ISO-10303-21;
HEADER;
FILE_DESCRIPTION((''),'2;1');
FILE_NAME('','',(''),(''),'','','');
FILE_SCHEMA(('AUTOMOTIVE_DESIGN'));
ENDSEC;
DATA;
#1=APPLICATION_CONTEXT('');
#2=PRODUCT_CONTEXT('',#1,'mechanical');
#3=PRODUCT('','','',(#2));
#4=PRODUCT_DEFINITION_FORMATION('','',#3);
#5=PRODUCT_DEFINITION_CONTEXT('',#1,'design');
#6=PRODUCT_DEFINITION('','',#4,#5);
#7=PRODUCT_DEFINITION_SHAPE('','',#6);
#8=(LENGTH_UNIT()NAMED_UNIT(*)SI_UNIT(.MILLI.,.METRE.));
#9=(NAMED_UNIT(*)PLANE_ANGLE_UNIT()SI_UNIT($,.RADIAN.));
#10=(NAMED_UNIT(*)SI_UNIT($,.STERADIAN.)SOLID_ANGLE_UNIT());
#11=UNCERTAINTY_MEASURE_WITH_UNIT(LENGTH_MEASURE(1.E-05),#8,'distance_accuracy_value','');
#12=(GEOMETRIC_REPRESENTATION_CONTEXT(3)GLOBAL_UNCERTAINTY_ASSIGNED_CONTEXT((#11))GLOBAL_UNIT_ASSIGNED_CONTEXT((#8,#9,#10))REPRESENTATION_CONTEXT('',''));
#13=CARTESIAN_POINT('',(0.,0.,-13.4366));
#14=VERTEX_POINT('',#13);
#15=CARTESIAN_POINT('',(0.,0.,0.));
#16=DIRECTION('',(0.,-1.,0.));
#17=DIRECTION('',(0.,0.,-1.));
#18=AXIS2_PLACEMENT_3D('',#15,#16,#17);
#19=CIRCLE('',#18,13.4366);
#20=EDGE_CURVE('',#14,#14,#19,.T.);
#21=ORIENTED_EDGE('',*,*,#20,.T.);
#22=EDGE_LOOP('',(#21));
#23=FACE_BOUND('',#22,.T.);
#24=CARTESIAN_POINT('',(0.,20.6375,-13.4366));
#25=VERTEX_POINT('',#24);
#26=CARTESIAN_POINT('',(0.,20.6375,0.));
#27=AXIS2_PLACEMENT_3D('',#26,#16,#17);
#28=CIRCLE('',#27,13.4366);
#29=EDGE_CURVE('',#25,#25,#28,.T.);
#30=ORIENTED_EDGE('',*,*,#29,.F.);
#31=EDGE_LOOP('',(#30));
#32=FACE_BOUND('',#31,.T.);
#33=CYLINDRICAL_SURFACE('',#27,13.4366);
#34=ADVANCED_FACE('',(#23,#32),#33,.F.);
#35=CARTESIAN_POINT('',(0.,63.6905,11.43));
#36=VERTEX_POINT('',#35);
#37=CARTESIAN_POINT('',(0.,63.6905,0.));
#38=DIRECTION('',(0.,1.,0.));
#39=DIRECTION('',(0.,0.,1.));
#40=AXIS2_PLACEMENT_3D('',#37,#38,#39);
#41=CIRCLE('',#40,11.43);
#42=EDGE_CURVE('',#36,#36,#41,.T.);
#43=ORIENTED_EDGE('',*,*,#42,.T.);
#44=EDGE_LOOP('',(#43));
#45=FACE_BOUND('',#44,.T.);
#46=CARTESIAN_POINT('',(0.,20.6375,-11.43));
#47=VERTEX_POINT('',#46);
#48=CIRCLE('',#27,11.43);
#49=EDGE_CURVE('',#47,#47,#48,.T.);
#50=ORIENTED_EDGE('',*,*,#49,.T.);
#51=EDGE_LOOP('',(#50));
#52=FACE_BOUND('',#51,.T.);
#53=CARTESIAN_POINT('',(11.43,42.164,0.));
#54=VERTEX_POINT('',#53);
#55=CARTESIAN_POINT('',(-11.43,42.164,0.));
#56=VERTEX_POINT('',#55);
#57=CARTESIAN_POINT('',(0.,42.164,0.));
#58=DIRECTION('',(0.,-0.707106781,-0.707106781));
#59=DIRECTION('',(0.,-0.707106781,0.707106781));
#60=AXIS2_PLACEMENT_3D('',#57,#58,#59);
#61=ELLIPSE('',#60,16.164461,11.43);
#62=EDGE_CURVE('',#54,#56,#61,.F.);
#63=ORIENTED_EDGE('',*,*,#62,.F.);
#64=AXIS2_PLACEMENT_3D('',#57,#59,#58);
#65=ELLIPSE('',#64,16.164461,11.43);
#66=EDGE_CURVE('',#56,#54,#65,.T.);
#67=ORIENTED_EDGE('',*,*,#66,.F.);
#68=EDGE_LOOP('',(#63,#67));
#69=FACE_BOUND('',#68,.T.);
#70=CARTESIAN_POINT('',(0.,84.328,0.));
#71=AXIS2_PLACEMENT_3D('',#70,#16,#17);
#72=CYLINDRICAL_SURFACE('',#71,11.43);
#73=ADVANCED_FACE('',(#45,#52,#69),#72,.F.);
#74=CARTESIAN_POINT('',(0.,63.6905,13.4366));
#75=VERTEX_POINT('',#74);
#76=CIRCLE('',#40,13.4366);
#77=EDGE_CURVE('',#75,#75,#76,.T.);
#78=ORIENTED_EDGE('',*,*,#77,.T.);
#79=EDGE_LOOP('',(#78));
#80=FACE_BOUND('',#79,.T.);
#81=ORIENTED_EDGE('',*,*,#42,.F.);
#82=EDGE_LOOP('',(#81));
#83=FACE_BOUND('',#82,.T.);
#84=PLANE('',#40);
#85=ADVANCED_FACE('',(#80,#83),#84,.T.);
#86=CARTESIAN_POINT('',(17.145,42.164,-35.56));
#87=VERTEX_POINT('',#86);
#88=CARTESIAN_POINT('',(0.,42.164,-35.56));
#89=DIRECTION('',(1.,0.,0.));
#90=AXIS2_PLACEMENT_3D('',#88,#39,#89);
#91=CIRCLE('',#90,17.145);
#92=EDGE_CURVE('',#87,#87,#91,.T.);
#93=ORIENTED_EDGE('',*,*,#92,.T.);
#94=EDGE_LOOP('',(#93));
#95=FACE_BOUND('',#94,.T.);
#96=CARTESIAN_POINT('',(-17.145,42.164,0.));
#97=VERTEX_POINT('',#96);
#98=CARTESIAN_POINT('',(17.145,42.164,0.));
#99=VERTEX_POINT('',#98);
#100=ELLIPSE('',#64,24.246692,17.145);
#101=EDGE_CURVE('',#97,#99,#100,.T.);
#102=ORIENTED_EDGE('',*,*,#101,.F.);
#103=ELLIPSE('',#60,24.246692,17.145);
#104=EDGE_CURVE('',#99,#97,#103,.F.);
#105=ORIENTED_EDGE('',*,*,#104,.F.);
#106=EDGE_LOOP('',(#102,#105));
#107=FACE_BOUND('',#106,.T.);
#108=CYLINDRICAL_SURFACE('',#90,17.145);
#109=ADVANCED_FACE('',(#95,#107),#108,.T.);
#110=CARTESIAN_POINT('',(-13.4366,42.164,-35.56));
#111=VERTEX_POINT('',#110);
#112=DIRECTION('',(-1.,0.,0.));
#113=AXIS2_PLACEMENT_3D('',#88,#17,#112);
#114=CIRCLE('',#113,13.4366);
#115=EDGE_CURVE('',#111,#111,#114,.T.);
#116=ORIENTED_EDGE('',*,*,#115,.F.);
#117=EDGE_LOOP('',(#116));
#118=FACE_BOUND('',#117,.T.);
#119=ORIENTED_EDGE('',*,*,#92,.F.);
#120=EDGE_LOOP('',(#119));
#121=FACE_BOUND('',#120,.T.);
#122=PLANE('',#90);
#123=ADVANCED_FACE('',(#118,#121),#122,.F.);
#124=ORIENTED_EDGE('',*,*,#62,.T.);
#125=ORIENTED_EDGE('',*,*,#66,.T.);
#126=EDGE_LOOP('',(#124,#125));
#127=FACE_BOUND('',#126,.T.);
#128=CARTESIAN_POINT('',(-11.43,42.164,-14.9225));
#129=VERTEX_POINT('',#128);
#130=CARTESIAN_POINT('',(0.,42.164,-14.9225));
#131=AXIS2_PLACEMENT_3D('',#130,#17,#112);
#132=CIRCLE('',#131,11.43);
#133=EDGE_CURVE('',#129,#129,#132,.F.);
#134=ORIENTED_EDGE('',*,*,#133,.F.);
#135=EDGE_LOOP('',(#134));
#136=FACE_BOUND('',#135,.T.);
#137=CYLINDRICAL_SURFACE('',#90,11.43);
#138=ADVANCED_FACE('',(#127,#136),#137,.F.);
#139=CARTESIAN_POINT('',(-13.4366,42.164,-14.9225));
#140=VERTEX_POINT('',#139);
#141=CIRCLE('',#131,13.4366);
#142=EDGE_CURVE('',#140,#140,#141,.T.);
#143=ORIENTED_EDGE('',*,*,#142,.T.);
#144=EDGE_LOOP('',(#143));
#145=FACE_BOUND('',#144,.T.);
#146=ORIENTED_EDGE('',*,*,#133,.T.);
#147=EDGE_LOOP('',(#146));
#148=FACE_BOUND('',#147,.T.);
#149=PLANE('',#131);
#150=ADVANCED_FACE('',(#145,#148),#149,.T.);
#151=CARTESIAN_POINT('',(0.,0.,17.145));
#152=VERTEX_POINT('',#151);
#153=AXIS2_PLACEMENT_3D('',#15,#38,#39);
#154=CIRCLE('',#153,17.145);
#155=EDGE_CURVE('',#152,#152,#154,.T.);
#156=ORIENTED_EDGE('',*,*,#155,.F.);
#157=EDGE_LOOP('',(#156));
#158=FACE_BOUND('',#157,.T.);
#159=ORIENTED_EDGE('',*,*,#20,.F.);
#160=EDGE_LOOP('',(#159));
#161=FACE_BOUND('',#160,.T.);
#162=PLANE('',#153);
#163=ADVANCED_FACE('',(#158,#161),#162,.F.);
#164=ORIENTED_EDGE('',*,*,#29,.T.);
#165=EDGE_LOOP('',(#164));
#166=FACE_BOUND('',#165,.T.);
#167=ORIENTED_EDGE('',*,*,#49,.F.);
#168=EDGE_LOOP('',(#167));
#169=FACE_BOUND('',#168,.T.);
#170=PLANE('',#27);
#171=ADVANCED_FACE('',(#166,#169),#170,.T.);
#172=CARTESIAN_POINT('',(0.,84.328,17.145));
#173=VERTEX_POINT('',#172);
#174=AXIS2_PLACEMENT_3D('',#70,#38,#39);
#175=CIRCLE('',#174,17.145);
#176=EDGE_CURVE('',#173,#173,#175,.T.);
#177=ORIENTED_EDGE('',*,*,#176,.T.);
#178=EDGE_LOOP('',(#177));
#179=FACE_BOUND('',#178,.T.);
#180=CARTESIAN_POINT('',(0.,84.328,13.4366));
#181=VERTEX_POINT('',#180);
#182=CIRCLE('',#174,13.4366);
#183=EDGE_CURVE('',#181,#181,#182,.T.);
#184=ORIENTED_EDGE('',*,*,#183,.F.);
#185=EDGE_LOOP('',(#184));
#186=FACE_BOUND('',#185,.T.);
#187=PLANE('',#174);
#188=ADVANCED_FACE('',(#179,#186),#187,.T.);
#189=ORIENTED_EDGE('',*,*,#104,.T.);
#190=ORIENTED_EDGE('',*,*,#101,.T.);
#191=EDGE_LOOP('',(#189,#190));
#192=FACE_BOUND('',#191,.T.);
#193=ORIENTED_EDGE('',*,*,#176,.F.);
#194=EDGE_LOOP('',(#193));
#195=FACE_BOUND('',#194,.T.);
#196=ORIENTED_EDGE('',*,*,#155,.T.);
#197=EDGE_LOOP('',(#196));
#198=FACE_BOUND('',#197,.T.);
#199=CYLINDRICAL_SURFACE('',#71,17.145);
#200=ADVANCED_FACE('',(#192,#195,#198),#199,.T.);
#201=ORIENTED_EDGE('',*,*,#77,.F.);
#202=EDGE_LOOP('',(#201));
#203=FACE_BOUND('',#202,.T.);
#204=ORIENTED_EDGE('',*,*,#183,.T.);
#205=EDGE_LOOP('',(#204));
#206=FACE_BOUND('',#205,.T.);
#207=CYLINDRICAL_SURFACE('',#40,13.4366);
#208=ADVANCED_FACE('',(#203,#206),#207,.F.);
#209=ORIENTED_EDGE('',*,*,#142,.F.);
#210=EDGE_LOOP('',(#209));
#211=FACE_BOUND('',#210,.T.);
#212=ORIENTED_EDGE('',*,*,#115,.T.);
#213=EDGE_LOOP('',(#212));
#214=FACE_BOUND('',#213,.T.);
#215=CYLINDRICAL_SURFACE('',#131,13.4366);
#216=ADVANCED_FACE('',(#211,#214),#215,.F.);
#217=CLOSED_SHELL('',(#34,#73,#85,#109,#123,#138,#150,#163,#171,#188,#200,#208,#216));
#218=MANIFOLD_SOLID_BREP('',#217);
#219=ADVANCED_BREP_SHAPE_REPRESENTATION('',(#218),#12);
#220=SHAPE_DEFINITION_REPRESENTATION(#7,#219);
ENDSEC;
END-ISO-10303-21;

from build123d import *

# Parameters (mm, degrees)
SKETCH1_R           = 17.145
SKETCH1_R_2         = 11.43
BOSS_EXTRUDE1_DEPTH = 84.328
SKETCH2_R           = 17.145
SKETCH2_R_2         = 11.43
BOSS_EXTRUDE2_DEPTH = 35.56
SKETCH3_R           = 11.43
CUT_EXTRUDE1_DEPTH  = 94.111096186
CUT_EXTRUDE2_START  = -35.56
SKETCH4_R           = 11.43
CUT_EXTRUDE2_DEPTH  = 35.56
SKETCH5_R           = 13.4366
CUT_EXTRUDE3_DEPTH  = 20.6375
CUT_EXTRUDE4_START  = -20.6375
SKETCH6_R           = 13.4366
CUT_EXTRUDE4_DEPTH  = 20.6375
SKETCH7_R           = 13.4366
CUT_EXTRUDE5_DEPTH  = 20.6375


with BuildPart() as part:
    # Sketch1 → Boss-Extrude1 (new body)
    with BuildSketch(Plane(origin=(0, 0, 0), x_dir=(1, 0, 0), z_dir=(0, 1, 0))):
        with Locations(Location((0, 0, 0), (0, 0, 270))):
            Circle(SKETCH1_R)
        with Locations(Location((0, 0, 0), (0, 0, 270))):
            Circle(SKETCH1_R_2, mode=Mode.SUBTRACT)
    extrude(amount=BOSS_EXTRUDE1_DEPTH)

    # Sketch2 → Boss-Extrude2 (add)
    with BuildSketch(Plane.XY):
        with Locations((0, 42.164)):
            Circle(SKETCH2_R)
        with Locations((0, 42.164)):
            Circle(SKETCH2_R_2, mode=Mode.SUBTRACT)
    extrude(amount=-BOSS_EXTRUDE2_DEPTH)

    # Sketch3 → Cut-Extrude1 (cut, through all)
    with BuildSketch(Plane(origin=(0, 84.328, 0), x_dir=(1, 0, 0), z_dir=(0, 1, 0))):
        with Locations(Location((0, 0, 0), (0, 0, 270))):
            Circle(SKETCH3_R)
    extrude(amount=-CUT_EXTRUDE1_DEPTH, mode=Mode.SUBTRACT)

    # Sketch4 → Cut-Extrude2 (cut)
    with BuildSketch(Plane(origin=(0, 0, -35.56), x_dir=(-1, 0, 0), z_dir=(0, 0, -1)).offset(CUT_EXTRUDE2_START)):
        with Locations(Location((0, 42.164, 0), (0, 0, 180))):
            Circle(SKETCH4_R)
    extrude(amount=CUT_EXTRUDE2_DEPTH, mode=Mode.SUBTRACT)

    # Sketch5 → Cut-Extrude3 (cut)
    with BuildSketch(Plane(origin=(0, 84.328, 0), x_dir=(1, 0, 0), z_dir=(0, 1, 0))):
        with Locations(Location((0, 0, 0), (0, 0, 270))):
            Circle(SKETCH5_R)
    extrude(amount=-CUT_EXTRUDE3_DEPTH, mode=Mode.SUBTRACT)

    # Sketch6 → Cut-Extrude4 (cut)
    with BuildSketch(Plane.XZ.offset(CUT_EXTRUDE4_START)):
        with Locations(Location((0, 0, 0), (0, 0, 90))):
            Circle(SKETCH6_R)
    extrude(amount=CUT_EXTRUDE4_DEPTH, mode=Mode.SUBTRACT)

    # Sketch7 → Cut-Extrude5 (cut)
    with BuildSketch(Plane(origin=(0, 0, -35.56), x_dir=(-1, 0, 0), z_dir=(0, 0, -1))):
        with Locations((0, 42.164)):
            Circle(SKETCH7_R)
    extrude(amount=-CUT_EXTRUDE5_DEPTH, mode=Mode.SUBTRACT)


solid = part.part
